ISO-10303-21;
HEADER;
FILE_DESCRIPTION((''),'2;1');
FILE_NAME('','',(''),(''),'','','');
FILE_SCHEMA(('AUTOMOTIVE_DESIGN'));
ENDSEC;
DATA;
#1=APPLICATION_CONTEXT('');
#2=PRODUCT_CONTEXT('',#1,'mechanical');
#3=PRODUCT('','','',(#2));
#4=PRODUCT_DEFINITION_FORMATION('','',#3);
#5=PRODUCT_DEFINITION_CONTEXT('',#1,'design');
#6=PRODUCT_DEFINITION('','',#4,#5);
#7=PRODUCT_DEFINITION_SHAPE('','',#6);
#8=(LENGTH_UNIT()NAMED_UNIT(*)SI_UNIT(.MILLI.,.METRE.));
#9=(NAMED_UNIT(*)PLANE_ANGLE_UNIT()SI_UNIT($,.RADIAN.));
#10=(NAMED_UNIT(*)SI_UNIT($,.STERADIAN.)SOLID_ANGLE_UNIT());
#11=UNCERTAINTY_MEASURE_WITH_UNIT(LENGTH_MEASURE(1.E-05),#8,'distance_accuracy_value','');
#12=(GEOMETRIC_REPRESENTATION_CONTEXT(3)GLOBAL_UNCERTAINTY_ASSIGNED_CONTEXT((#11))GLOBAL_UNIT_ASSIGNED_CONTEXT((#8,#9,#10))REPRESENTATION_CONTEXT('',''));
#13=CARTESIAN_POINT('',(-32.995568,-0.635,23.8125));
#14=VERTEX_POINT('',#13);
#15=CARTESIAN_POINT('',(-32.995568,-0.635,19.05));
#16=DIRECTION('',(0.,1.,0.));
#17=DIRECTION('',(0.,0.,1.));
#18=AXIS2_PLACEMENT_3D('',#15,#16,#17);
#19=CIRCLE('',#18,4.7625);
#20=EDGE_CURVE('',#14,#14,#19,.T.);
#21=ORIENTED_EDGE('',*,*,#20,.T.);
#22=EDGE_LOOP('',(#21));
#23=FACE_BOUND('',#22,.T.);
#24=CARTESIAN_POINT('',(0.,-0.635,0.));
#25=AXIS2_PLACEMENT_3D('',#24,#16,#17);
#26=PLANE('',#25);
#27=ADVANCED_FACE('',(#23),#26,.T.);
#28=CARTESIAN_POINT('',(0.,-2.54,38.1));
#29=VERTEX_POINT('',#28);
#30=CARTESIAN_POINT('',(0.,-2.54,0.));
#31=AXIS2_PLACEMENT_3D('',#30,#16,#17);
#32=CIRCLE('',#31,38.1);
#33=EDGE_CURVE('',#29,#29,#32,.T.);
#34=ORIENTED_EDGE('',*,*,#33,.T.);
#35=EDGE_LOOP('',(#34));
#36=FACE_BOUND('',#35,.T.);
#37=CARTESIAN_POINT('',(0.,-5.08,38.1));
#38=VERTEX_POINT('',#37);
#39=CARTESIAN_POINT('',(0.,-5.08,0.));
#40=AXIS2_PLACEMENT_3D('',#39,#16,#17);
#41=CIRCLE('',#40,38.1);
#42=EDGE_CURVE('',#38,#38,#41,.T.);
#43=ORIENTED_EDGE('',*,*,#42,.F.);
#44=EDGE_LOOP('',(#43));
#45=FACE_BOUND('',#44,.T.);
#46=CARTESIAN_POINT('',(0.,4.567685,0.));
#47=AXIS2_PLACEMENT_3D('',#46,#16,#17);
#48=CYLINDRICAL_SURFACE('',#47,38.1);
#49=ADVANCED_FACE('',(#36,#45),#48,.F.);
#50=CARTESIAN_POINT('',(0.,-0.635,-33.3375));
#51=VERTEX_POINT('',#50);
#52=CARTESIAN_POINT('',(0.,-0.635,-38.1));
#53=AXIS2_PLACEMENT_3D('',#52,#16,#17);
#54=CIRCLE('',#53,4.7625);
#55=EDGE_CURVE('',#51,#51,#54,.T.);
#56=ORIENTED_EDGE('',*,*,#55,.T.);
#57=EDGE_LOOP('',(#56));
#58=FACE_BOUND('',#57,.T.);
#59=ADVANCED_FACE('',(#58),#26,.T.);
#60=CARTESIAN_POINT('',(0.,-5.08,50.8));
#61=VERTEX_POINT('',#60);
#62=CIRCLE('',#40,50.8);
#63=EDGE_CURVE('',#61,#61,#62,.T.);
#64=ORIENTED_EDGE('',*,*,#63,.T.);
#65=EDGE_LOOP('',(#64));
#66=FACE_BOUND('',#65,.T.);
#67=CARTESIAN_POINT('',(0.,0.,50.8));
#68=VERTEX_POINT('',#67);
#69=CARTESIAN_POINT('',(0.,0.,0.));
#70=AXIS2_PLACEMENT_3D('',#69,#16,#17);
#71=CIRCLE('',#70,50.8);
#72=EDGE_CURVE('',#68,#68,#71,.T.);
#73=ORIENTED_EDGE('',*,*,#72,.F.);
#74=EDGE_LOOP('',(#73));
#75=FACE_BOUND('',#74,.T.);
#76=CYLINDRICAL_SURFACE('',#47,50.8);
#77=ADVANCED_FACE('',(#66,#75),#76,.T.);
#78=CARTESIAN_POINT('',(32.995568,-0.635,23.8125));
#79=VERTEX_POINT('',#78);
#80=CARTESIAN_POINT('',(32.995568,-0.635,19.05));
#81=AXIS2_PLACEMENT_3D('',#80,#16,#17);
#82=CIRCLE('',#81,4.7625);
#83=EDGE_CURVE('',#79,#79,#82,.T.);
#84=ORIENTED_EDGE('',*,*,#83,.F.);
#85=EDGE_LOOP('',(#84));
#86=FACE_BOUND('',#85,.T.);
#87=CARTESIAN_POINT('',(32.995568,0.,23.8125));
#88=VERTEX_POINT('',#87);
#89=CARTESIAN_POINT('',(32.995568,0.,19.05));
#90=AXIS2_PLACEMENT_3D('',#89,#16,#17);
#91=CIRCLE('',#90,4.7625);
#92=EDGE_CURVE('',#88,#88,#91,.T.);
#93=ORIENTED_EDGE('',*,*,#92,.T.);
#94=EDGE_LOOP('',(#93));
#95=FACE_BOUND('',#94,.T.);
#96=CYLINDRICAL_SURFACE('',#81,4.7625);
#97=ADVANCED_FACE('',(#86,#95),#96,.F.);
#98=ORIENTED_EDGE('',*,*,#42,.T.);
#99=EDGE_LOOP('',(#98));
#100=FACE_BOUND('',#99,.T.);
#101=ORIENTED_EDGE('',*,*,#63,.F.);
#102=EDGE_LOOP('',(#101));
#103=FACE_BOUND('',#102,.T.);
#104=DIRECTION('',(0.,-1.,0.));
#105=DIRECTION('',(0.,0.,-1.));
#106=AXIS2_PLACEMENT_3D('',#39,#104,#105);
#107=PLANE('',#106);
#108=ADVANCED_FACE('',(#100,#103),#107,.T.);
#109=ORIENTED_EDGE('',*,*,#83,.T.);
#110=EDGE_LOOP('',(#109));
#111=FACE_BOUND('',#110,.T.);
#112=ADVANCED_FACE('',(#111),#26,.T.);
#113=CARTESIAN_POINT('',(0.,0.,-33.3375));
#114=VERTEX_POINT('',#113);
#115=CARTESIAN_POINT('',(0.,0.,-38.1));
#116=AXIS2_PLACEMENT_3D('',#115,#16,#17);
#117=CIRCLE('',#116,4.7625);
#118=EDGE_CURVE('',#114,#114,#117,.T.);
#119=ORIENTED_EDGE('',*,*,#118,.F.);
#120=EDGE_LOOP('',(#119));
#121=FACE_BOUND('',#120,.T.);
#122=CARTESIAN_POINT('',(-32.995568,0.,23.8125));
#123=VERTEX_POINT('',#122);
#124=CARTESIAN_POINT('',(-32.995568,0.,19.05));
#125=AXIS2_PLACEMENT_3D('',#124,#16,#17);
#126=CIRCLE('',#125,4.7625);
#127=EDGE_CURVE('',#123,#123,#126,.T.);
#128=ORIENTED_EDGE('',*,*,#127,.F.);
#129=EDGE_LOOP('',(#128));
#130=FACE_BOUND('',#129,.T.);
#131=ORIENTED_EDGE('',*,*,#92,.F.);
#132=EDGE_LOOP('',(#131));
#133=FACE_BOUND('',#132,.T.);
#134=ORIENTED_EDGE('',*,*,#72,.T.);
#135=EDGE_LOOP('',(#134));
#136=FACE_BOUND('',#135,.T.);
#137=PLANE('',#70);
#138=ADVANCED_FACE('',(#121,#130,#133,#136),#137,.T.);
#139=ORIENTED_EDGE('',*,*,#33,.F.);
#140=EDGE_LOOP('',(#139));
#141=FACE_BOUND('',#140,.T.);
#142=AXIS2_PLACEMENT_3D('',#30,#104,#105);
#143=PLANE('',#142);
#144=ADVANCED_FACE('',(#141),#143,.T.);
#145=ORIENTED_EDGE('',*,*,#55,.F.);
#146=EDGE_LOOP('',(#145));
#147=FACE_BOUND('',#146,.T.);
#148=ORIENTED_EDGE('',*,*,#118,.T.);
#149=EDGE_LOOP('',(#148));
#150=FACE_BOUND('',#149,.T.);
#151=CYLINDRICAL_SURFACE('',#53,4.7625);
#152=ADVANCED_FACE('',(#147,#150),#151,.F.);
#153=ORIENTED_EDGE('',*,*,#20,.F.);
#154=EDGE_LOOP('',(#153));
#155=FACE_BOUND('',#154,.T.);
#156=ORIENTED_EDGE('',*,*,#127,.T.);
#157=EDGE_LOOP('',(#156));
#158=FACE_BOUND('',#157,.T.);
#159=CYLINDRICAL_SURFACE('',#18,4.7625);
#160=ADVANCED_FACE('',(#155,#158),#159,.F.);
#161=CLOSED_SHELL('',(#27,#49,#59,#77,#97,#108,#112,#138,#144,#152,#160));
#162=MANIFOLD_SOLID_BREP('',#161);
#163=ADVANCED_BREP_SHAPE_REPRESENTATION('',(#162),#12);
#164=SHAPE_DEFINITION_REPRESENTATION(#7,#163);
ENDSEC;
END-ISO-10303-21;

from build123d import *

# Parameters (mm, degrees)
CUT_EXTRUDE1_DEPTH = 0.635
SKETCH4_R          = 4.7625
CUT_EXTRUDE2_DEPTH = 0.635


with BuildPart() as part:
    # Sketch1 → Revolve1 (revolve)
    with BuildSketch(Plane.XY, mode=Mode.PRIVATE) as revolve1_sk:
        Polygon((-38.1, -2.54), (0, -2.54), (0, 0), (-50.8, 0), (-50.8, -5.08), (-38.1, -5.08), align=None)
    revolve(revolve1_sk.sketch.rotate(Axis((0, 4.567685351, 0), (0, -1, 0)), 270), axis=Axis((0, 4.567685351, 0), (0, -1, 0)))

    # Sketch3 → Cut-Extrude1 (cut)
    with BuildSketch(Plane(origin=(0, 0, 0), x_dir=(1, 0, 0), z_dir=(0, 1, 0))):
        Polygon((-1.833087105, 41.275), (-3.666174209, 38.1), (-1.833087105, 34.925), (1.833087105, 34.925), (3.666174209, 38.1), (1.833087105, 41.275), align=None)
        Polygon((-34.828654989, -15.875), (-36.661742094, -19.05), (-34.828654989, -22.225), (-31.16248078, -22.225), (-29.329393675, -19.05), (-31.16248078, -15.875), align=None)
        Polygon((34.828654989, -15.875), (31.16248078, -15.875), (29.329393675, -19.05), (31.16248078, -22.225), (34.828654989, -22.225), (36.661742094, -19.05), align=None)
    extrude(amount=-CUT_EXTRUDE1_DEPTH, mode=Mode.SUBTRACT)

    # Sketch4 → Cut-Extrude2 (cut)
    with BuildSketch(Plane(origin=(0, 0, 0), x_dir=(1, 0, 0), z_dir=(0, 1, 0))):
        with Locations(Location((32.995567884, -19.05, 0), (0, 0, 270))):
            Circle(SKETCH4_R)
        with Locations(Location((-32.995567884, -19.05, 0), (0, 0, 270))):
            Circle(SKETCH4_R)
        with Locations(Location((0, 38.1, 0), (0, 0, 270))):
            Circle(SKETCH4_R)
    extrude(amount=-CUT_EXTRUDE2_DEPTH, mode=Mode.SUBTRACT)


solid = part.part
